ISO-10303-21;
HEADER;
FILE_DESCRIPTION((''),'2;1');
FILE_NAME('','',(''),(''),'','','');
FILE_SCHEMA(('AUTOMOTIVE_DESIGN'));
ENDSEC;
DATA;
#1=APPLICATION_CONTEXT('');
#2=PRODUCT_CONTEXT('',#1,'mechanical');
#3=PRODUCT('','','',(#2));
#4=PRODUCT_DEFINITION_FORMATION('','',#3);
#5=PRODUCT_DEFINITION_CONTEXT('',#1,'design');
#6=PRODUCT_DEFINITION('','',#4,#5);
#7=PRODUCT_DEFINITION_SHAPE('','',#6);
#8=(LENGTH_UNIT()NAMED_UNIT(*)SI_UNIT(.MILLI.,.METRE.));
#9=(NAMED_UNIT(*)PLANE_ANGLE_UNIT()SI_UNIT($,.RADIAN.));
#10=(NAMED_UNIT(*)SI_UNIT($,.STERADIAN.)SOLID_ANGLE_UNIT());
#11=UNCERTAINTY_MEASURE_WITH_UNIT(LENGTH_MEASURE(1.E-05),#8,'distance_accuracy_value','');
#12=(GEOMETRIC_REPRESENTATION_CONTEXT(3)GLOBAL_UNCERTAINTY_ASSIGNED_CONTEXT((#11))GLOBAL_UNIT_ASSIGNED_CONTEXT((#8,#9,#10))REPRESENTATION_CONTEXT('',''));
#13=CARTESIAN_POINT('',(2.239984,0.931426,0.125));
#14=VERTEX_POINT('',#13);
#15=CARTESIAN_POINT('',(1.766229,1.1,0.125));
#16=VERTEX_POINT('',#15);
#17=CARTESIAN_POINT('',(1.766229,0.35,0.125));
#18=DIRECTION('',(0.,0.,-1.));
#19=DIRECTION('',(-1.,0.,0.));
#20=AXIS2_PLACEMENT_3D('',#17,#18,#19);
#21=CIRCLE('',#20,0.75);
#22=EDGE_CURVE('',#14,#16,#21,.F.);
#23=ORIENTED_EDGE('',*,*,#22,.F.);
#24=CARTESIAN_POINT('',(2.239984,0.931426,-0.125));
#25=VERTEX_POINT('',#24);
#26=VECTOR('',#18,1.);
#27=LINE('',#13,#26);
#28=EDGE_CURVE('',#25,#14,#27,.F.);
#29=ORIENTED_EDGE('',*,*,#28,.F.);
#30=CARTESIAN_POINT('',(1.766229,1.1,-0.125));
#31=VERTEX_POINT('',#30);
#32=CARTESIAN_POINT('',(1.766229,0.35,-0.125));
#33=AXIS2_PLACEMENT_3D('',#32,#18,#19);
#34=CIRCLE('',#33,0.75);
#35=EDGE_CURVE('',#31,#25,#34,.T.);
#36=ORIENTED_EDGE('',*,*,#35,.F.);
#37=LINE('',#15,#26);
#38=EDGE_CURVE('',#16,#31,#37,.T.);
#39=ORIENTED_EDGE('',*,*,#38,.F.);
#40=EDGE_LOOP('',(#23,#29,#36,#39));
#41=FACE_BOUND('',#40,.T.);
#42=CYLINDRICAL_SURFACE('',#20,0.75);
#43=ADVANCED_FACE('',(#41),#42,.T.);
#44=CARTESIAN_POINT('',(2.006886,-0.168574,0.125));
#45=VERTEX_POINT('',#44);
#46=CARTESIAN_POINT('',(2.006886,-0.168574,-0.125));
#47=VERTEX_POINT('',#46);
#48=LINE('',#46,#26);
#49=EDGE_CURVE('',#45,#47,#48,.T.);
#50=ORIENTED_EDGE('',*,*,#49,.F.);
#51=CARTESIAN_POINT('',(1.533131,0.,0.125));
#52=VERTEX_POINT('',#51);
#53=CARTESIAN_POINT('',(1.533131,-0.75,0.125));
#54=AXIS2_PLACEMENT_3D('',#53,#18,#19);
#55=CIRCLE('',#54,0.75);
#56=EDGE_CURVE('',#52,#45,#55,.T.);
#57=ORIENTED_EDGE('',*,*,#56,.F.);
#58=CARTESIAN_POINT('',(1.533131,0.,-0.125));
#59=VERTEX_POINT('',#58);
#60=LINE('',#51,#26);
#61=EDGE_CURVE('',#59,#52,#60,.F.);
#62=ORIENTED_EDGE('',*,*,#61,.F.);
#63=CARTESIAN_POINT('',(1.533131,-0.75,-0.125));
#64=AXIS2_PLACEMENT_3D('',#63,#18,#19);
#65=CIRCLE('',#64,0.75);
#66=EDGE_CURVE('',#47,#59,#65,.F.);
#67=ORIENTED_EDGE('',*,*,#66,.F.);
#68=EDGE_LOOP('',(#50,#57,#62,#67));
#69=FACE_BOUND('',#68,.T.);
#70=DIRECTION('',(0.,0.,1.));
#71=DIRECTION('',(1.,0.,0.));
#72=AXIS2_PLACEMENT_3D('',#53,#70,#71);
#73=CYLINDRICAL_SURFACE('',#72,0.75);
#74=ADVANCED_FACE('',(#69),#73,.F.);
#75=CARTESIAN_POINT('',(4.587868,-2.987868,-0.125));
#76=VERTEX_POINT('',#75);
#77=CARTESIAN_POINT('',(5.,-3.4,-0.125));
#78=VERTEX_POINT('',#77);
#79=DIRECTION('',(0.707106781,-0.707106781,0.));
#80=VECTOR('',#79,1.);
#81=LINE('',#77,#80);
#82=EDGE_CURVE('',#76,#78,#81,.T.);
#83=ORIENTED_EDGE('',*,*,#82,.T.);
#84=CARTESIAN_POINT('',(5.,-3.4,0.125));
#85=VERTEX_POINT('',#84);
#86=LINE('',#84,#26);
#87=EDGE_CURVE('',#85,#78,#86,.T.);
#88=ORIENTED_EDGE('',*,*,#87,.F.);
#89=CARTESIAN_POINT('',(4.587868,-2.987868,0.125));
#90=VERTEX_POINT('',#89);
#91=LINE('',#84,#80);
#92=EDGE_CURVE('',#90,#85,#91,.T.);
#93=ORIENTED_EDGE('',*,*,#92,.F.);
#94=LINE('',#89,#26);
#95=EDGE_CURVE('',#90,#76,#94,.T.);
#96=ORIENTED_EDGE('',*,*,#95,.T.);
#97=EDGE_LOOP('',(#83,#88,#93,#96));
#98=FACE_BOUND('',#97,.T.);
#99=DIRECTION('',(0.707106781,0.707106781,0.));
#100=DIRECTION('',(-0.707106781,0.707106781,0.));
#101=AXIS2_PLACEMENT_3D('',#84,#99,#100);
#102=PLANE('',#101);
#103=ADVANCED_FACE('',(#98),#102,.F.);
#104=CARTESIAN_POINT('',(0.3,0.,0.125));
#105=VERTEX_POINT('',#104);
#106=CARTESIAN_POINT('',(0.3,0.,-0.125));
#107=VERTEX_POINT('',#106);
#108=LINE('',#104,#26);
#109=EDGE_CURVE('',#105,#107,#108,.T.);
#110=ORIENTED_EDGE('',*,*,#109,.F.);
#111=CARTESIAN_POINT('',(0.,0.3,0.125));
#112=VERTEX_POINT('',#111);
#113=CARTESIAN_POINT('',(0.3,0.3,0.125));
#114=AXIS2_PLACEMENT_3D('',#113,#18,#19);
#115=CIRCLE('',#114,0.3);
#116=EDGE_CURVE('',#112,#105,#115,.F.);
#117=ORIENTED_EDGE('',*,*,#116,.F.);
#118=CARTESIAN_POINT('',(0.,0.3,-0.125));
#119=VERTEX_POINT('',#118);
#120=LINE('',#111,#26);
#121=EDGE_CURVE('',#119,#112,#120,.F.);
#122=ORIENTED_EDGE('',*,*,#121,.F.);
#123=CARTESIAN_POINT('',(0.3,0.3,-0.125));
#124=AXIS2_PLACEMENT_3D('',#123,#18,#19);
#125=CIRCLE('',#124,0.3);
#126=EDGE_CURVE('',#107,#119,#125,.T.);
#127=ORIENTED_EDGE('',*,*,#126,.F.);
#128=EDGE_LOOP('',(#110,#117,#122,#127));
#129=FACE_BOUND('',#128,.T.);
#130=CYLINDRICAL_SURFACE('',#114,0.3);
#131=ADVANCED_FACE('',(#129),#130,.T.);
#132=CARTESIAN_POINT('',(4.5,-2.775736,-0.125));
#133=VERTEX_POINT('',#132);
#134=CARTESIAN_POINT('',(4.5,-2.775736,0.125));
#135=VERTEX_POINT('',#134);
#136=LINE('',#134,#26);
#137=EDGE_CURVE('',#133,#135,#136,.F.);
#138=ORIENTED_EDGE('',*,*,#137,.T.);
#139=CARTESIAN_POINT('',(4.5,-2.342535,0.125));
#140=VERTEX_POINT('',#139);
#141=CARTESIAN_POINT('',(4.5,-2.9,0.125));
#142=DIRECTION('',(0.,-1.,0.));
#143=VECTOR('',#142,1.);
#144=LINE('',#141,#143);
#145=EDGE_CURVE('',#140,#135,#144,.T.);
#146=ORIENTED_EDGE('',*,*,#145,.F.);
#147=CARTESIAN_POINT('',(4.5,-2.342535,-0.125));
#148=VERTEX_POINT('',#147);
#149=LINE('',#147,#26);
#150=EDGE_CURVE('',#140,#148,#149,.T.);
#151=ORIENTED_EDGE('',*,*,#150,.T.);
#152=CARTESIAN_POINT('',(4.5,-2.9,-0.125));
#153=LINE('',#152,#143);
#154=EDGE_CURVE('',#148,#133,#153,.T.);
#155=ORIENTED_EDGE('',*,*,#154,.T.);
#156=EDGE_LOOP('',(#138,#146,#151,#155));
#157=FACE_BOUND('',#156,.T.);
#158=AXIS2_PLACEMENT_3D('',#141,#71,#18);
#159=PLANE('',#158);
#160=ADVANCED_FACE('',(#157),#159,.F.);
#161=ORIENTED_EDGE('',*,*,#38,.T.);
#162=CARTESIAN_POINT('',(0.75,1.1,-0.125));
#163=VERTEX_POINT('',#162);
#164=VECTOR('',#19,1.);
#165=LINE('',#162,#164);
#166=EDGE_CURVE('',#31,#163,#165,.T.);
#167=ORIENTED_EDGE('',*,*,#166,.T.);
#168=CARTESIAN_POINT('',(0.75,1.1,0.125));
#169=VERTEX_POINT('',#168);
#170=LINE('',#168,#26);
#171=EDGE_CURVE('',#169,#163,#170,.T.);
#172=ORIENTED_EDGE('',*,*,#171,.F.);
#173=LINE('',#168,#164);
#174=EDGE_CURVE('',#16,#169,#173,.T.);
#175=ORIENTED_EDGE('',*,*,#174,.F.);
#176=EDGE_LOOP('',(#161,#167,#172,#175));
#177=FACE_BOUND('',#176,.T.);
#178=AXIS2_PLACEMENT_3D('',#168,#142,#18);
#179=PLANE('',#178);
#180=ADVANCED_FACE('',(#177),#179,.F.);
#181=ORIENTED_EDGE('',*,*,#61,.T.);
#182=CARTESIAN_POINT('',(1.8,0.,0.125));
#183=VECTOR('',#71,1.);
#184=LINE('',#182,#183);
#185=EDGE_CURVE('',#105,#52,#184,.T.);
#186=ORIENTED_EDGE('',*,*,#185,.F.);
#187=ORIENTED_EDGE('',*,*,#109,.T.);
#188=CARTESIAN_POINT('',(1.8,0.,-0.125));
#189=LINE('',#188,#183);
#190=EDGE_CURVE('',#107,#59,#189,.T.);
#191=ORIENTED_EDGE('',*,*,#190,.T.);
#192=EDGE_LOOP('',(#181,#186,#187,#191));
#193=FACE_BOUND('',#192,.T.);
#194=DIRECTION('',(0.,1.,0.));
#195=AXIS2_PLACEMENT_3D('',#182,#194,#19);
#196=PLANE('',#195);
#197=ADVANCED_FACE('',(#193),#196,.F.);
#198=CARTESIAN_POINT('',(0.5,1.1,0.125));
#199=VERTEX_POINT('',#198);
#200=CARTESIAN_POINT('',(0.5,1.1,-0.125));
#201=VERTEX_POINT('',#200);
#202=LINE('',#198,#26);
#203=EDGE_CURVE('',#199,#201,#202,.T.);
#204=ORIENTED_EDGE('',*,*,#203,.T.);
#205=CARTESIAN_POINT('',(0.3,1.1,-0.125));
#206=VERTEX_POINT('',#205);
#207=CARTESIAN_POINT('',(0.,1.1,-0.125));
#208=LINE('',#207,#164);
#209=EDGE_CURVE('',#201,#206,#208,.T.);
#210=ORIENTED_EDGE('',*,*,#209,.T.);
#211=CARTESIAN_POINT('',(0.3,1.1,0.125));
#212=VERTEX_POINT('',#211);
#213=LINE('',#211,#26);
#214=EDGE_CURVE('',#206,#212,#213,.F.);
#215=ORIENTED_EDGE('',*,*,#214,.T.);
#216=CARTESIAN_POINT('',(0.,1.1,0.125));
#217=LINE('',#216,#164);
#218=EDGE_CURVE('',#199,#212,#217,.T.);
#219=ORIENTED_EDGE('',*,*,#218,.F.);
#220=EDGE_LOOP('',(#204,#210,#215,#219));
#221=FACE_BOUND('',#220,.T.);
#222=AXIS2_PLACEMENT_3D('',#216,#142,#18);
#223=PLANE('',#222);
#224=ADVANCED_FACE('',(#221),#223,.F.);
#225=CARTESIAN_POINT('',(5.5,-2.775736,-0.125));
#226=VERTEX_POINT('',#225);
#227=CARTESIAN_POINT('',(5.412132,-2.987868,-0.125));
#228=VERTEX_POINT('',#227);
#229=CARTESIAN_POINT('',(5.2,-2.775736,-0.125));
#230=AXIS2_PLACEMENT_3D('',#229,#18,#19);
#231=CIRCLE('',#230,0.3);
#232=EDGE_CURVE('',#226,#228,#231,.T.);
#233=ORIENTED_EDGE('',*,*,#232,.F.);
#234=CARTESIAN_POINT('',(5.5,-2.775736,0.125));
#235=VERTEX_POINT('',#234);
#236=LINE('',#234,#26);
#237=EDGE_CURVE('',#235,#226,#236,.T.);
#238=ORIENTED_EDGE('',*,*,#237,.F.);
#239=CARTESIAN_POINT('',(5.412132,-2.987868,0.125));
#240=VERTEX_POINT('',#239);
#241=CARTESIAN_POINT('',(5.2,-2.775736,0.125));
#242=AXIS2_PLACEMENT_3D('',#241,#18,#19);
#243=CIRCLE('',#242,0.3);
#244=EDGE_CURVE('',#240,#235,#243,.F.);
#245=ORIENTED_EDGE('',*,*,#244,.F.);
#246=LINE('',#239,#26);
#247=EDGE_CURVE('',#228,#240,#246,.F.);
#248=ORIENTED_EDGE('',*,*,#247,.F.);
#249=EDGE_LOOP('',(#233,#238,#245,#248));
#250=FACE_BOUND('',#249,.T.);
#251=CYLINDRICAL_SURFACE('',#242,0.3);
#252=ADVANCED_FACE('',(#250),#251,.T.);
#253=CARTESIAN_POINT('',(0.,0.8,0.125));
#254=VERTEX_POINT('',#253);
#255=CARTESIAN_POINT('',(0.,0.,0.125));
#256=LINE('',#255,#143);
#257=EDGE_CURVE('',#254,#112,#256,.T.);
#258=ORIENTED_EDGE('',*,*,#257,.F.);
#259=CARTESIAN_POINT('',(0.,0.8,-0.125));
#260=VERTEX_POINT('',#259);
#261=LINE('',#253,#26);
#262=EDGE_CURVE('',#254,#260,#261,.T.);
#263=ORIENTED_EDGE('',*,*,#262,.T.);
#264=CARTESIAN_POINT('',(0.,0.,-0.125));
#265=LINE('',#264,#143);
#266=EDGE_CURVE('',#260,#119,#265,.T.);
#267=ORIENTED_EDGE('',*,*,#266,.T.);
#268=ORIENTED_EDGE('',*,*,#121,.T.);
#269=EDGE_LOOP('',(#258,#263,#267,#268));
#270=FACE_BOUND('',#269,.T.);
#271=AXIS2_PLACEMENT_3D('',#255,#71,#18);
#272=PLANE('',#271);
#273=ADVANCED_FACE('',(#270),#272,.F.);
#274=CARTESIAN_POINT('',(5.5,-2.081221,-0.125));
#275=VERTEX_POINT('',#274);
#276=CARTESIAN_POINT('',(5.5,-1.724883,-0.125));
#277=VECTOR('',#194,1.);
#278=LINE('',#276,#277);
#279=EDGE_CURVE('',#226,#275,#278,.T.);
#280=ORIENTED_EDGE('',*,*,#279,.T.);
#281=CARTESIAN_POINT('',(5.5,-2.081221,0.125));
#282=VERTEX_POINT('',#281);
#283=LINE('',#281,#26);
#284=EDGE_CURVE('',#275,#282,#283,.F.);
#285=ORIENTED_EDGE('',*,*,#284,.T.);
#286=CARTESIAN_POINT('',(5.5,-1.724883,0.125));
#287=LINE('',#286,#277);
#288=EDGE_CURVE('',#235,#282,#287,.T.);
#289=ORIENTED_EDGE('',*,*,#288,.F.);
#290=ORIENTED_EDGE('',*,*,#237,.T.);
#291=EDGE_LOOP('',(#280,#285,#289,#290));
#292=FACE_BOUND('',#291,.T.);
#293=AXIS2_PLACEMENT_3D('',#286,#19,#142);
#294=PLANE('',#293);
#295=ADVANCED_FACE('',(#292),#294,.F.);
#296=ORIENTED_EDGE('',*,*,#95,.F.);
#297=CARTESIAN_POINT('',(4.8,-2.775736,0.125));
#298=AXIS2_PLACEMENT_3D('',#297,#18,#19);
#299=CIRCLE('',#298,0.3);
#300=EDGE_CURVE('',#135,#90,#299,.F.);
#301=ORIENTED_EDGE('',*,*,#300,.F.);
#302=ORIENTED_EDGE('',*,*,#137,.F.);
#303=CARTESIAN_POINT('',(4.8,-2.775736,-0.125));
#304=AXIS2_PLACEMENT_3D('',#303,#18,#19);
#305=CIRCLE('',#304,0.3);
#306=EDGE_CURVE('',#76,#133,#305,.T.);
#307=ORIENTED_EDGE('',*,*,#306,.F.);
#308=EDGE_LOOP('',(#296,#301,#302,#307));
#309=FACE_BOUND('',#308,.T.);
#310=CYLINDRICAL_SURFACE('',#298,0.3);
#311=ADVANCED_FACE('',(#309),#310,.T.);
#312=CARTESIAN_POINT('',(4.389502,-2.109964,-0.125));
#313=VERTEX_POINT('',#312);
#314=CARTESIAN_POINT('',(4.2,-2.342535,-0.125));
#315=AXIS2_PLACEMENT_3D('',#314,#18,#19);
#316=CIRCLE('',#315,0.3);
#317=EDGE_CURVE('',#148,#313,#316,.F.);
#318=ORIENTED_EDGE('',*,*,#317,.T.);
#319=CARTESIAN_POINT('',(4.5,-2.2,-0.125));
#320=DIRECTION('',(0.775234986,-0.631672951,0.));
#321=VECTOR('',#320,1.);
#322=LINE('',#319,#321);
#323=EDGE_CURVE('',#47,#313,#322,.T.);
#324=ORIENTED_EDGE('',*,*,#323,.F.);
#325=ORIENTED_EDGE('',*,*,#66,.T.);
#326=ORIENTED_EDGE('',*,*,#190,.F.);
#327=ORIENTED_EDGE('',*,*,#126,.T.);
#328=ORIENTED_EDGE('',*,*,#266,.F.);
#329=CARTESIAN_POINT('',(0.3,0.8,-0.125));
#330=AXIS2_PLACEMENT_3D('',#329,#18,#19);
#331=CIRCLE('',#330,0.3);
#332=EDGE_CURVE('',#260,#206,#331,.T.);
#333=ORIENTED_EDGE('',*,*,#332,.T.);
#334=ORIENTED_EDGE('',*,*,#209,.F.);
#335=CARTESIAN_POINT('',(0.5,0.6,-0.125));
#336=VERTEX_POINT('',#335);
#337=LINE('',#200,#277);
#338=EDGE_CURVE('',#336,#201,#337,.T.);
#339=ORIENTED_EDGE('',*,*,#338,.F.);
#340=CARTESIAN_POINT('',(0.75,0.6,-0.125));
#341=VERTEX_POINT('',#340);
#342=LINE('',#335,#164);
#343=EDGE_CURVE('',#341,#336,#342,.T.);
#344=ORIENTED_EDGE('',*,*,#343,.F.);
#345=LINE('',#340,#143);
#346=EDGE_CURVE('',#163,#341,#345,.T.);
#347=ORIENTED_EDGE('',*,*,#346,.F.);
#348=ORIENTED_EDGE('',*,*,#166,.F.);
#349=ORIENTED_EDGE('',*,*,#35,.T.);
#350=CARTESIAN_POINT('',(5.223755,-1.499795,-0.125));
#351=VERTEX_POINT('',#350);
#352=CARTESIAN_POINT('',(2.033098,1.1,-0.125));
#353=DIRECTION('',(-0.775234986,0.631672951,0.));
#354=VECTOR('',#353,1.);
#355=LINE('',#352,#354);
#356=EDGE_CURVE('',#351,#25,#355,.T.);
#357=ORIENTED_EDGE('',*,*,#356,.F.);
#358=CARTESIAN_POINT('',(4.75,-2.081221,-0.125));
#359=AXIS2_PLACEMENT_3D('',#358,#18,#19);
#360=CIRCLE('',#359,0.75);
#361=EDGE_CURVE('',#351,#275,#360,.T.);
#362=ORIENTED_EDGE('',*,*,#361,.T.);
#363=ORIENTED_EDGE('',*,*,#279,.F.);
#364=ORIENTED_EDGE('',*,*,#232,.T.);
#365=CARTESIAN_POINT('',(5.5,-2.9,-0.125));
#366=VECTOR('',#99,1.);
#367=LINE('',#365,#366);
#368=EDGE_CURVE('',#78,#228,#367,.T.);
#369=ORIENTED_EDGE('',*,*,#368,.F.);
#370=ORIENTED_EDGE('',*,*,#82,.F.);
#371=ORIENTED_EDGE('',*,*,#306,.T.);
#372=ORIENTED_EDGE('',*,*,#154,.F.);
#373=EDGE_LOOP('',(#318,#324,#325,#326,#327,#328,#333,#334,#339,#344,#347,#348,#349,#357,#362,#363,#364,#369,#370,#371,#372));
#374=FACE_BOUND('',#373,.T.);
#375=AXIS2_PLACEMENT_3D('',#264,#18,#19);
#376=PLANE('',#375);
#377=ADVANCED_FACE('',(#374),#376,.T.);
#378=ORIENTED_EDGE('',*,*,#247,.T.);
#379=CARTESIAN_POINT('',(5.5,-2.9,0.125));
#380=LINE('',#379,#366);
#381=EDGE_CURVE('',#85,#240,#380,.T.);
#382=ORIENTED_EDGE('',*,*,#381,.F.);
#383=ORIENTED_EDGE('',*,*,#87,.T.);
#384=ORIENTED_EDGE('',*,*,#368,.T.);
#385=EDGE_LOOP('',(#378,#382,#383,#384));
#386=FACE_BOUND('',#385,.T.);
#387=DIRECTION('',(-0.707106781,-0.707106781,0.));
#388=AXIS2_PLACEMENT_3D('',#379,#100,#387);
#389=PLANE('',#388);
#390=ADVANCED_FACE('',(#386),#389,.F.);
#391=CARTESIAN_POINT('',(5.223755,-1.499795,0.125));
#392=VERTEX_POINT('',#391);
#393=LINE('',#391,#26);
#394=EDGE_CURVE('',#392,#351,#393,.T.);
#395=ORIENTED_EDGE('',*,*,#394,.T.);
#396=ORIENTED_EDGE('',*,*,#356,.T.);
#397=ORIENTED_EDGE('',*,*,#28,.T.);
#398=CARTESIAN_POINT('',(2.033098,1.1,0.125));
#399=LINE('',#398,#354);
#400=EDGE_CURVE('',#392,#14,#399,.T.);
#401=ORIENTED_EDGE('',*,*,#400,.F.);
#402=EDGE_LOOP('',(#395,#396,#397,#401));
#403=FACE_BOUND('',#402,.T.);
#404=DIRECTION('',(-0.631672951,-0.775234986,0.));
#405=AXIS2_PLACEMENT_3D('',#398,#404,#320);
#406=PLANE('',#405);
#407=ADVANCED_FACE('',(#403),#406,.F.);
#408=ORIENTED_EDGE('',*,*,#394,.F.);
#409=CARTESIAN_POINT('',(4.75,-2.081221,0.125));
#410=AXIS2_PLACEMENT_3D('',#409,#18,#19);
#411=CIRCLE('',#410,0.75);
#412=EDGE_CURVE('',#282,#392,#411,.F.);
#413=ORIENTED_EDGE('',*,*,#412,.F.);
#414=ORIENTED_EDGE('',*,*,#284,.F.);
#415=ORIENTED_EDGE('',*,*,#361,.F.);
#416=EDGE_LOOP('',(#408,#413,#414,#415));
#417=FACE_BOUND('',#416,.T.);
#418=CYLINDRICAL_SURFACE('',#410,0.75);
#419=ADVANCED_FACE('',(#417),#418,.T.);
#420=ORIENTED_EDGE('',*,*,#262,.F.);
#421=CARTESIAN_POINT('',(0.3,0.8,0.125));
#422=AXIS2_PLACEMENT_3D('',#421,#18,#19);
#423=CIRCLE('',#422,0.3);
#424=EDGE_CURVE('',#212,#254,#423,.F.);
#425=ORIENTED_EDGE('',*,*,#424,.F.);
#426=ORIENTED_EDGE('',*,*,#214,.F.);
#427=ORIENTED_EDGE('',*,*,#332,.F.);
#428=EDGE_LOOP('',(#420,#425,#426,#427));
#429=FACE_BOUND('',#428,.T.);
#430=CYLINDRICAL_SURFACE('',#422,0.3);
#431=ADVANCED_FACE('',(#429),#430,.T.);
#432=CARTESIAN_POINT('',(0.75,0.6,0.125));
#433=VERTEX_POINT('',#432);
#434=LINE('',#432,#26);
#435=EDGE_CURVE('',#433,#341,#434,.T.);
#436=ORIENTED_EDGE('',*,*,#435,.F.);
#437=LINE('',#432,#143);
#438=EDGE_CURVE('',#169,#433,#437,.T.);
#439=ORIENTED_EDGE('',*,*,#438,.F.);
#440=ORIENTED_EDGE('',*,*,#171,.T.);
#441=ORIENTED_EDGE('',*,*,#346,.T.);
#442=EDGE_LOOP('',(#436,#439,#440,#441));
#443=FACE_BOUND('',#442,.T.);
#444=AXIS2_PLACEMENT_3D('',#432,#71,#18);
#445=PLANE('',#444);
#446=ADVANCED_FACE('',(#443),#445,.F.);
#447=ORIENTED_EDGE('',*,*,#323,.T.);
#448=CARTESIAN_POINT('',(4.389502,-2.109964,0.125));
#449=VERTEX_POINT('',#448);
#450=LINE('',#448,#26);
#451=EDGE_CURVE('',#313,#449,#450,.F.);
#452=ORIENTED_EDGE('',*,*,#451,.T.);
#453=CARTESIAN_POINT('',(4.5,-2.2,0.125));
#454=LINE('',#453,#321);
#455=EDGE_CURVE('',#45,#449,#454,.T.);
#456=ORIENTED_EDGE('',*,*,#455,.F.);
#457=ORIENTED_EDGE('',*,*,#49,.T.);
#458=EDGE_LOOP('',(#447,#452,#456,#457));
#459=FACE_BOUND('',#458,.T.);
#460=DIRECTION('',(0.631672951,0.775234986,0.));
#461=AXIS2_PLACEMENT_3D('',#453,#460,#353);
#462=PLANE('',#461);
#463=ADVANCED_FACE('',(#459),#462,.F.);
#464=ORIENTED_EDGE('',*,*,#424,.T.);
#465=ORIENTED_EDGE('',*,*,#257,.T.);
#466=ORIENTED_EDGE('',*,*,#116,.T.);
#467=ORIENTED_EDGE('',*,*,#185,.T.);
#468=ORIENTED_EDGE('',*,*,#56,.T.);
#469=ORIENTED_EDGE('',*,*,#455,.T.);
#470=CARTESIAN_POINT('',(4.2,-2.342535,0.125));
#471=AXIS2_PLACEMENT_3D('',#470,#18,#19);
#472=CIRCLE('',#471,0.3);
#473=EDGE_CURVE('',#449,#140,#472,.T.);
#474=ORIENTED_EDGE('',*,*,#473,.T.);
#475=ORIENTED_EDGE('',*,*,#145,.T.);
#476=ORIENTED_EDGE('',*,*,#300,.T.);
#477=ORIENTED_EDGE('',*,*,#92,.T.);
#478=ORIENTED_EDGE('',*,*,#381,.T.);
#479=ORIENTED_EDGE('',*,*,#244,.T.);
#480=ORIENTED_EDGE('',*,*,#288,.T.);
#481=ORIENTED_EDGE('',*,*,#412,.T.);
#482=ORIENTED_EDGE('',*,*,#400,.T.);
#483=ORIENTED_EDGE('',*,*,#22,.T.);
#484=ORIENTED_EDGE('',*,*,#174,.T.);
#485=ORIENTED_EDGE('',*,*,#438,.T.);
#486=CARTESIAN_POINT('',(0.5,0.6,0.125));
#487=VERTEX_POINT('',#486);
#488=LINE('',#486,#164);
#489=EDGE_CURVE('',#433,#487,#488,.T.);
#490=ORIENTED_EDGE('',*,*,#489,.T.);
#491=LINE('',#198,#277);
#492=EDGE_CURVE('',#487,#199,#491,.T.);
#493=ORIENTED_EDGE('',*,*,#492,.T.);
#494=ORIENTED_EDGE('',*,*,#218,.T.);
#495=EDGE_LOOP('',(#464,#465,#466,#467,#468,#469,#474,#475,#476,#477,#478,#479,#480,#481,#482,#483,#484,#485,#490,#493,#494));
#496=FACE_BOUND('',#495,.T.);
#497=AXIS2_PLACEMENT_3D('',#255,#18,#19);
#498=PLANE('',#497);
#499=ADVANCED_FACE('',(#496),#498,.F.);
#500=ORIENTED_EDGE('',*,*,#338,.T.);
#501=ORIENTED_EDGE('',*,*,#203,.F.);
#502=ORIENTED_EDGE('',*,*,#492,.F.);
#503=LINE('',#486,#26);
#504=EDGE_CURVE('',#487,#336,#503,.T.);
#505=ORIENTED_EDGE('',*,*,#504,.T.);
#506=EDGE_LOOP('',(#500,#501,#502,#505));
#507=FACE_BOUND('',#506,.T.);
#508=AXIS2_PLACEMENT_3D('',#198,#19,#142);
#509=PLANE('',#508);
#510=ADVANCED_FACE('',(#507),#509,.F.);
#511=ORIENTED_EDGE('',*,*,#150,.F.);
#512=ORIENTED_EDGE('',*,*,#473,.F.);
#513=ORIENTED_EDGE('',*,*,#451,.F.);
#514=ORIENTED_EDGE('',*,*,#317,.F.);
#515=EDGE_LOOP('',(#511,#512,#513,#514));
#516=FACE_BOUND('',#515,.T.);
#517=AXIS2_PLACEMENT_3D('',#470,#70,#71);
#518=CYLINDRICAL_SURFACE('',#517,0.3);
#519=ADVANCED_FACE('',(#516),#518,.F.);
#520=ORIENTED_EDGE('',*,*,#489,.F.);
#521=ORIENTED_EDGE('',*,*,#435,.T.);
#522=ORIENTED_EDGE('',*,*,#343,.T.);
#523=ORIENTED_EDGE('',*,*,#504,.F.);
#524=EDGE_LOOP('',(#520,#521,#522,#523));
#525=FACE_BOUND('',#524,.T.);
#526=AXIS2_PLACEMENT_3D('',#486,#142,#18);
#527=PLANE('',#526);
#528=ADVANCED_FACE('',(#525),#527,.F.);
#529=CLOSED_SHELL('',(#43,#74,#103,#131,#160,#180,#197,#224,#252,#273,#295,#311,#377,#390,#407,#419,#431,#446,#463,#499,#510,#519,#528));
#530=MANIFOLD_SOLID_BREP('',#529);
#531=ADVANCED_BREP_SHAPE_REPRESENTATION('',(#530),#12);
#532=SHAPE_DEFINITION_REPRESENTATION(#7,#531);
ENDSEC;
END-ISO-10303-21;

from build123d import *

# Parameters (mm, degrees)
BOSS_EXTRUDE1_DEPTH = 0.125
FILLET1_R           = 0.3
FILLET2_R           = 0.75


with BuildPart() as part:
    # frame_outline → Boss-Extrude1 (new, symmetric)
    with BuildSketch(Plane.XY):
        Polygon((0, 0), (0, 1.1), (0.5, 1.1), (0.5, 0.6), (0.75, 0.6), (0.75, 1.1), (2.033097706, 1.1), (5.5, -1.724883351), (5.5, -2.9), (5, -3.4), (4.5, -2.9), (4.5, -2.2), (1.8, 0), align=None)
    extrude(amount=BOSS_EXTRUDE1_DEPTH, both=True)

    # Fillet1
    fillet1_edges = [part.edges().sort_by_distance(p)[0] for p in [
        (0, 0, 0),
        (0, 1.1, 0),
        (5.5, -2.9, 0),
        (4.5, -2.9, 0),
        (4.5, -2.2, 0),
    ]]
    fillet(fillet1_edges, radius=FILLET1_R)

    # Fillet2
    fillet2_edges = [part.edges().sort_by_distance(p)[0] for p in [
        (2.033097706, 1.1, 0),
        (5.5, -1.724883351, 0),
        (1.8, 0, 0),
    ]]
    fillet(fillet2_edges, radius=FILLET2_R)


solid = part.part
